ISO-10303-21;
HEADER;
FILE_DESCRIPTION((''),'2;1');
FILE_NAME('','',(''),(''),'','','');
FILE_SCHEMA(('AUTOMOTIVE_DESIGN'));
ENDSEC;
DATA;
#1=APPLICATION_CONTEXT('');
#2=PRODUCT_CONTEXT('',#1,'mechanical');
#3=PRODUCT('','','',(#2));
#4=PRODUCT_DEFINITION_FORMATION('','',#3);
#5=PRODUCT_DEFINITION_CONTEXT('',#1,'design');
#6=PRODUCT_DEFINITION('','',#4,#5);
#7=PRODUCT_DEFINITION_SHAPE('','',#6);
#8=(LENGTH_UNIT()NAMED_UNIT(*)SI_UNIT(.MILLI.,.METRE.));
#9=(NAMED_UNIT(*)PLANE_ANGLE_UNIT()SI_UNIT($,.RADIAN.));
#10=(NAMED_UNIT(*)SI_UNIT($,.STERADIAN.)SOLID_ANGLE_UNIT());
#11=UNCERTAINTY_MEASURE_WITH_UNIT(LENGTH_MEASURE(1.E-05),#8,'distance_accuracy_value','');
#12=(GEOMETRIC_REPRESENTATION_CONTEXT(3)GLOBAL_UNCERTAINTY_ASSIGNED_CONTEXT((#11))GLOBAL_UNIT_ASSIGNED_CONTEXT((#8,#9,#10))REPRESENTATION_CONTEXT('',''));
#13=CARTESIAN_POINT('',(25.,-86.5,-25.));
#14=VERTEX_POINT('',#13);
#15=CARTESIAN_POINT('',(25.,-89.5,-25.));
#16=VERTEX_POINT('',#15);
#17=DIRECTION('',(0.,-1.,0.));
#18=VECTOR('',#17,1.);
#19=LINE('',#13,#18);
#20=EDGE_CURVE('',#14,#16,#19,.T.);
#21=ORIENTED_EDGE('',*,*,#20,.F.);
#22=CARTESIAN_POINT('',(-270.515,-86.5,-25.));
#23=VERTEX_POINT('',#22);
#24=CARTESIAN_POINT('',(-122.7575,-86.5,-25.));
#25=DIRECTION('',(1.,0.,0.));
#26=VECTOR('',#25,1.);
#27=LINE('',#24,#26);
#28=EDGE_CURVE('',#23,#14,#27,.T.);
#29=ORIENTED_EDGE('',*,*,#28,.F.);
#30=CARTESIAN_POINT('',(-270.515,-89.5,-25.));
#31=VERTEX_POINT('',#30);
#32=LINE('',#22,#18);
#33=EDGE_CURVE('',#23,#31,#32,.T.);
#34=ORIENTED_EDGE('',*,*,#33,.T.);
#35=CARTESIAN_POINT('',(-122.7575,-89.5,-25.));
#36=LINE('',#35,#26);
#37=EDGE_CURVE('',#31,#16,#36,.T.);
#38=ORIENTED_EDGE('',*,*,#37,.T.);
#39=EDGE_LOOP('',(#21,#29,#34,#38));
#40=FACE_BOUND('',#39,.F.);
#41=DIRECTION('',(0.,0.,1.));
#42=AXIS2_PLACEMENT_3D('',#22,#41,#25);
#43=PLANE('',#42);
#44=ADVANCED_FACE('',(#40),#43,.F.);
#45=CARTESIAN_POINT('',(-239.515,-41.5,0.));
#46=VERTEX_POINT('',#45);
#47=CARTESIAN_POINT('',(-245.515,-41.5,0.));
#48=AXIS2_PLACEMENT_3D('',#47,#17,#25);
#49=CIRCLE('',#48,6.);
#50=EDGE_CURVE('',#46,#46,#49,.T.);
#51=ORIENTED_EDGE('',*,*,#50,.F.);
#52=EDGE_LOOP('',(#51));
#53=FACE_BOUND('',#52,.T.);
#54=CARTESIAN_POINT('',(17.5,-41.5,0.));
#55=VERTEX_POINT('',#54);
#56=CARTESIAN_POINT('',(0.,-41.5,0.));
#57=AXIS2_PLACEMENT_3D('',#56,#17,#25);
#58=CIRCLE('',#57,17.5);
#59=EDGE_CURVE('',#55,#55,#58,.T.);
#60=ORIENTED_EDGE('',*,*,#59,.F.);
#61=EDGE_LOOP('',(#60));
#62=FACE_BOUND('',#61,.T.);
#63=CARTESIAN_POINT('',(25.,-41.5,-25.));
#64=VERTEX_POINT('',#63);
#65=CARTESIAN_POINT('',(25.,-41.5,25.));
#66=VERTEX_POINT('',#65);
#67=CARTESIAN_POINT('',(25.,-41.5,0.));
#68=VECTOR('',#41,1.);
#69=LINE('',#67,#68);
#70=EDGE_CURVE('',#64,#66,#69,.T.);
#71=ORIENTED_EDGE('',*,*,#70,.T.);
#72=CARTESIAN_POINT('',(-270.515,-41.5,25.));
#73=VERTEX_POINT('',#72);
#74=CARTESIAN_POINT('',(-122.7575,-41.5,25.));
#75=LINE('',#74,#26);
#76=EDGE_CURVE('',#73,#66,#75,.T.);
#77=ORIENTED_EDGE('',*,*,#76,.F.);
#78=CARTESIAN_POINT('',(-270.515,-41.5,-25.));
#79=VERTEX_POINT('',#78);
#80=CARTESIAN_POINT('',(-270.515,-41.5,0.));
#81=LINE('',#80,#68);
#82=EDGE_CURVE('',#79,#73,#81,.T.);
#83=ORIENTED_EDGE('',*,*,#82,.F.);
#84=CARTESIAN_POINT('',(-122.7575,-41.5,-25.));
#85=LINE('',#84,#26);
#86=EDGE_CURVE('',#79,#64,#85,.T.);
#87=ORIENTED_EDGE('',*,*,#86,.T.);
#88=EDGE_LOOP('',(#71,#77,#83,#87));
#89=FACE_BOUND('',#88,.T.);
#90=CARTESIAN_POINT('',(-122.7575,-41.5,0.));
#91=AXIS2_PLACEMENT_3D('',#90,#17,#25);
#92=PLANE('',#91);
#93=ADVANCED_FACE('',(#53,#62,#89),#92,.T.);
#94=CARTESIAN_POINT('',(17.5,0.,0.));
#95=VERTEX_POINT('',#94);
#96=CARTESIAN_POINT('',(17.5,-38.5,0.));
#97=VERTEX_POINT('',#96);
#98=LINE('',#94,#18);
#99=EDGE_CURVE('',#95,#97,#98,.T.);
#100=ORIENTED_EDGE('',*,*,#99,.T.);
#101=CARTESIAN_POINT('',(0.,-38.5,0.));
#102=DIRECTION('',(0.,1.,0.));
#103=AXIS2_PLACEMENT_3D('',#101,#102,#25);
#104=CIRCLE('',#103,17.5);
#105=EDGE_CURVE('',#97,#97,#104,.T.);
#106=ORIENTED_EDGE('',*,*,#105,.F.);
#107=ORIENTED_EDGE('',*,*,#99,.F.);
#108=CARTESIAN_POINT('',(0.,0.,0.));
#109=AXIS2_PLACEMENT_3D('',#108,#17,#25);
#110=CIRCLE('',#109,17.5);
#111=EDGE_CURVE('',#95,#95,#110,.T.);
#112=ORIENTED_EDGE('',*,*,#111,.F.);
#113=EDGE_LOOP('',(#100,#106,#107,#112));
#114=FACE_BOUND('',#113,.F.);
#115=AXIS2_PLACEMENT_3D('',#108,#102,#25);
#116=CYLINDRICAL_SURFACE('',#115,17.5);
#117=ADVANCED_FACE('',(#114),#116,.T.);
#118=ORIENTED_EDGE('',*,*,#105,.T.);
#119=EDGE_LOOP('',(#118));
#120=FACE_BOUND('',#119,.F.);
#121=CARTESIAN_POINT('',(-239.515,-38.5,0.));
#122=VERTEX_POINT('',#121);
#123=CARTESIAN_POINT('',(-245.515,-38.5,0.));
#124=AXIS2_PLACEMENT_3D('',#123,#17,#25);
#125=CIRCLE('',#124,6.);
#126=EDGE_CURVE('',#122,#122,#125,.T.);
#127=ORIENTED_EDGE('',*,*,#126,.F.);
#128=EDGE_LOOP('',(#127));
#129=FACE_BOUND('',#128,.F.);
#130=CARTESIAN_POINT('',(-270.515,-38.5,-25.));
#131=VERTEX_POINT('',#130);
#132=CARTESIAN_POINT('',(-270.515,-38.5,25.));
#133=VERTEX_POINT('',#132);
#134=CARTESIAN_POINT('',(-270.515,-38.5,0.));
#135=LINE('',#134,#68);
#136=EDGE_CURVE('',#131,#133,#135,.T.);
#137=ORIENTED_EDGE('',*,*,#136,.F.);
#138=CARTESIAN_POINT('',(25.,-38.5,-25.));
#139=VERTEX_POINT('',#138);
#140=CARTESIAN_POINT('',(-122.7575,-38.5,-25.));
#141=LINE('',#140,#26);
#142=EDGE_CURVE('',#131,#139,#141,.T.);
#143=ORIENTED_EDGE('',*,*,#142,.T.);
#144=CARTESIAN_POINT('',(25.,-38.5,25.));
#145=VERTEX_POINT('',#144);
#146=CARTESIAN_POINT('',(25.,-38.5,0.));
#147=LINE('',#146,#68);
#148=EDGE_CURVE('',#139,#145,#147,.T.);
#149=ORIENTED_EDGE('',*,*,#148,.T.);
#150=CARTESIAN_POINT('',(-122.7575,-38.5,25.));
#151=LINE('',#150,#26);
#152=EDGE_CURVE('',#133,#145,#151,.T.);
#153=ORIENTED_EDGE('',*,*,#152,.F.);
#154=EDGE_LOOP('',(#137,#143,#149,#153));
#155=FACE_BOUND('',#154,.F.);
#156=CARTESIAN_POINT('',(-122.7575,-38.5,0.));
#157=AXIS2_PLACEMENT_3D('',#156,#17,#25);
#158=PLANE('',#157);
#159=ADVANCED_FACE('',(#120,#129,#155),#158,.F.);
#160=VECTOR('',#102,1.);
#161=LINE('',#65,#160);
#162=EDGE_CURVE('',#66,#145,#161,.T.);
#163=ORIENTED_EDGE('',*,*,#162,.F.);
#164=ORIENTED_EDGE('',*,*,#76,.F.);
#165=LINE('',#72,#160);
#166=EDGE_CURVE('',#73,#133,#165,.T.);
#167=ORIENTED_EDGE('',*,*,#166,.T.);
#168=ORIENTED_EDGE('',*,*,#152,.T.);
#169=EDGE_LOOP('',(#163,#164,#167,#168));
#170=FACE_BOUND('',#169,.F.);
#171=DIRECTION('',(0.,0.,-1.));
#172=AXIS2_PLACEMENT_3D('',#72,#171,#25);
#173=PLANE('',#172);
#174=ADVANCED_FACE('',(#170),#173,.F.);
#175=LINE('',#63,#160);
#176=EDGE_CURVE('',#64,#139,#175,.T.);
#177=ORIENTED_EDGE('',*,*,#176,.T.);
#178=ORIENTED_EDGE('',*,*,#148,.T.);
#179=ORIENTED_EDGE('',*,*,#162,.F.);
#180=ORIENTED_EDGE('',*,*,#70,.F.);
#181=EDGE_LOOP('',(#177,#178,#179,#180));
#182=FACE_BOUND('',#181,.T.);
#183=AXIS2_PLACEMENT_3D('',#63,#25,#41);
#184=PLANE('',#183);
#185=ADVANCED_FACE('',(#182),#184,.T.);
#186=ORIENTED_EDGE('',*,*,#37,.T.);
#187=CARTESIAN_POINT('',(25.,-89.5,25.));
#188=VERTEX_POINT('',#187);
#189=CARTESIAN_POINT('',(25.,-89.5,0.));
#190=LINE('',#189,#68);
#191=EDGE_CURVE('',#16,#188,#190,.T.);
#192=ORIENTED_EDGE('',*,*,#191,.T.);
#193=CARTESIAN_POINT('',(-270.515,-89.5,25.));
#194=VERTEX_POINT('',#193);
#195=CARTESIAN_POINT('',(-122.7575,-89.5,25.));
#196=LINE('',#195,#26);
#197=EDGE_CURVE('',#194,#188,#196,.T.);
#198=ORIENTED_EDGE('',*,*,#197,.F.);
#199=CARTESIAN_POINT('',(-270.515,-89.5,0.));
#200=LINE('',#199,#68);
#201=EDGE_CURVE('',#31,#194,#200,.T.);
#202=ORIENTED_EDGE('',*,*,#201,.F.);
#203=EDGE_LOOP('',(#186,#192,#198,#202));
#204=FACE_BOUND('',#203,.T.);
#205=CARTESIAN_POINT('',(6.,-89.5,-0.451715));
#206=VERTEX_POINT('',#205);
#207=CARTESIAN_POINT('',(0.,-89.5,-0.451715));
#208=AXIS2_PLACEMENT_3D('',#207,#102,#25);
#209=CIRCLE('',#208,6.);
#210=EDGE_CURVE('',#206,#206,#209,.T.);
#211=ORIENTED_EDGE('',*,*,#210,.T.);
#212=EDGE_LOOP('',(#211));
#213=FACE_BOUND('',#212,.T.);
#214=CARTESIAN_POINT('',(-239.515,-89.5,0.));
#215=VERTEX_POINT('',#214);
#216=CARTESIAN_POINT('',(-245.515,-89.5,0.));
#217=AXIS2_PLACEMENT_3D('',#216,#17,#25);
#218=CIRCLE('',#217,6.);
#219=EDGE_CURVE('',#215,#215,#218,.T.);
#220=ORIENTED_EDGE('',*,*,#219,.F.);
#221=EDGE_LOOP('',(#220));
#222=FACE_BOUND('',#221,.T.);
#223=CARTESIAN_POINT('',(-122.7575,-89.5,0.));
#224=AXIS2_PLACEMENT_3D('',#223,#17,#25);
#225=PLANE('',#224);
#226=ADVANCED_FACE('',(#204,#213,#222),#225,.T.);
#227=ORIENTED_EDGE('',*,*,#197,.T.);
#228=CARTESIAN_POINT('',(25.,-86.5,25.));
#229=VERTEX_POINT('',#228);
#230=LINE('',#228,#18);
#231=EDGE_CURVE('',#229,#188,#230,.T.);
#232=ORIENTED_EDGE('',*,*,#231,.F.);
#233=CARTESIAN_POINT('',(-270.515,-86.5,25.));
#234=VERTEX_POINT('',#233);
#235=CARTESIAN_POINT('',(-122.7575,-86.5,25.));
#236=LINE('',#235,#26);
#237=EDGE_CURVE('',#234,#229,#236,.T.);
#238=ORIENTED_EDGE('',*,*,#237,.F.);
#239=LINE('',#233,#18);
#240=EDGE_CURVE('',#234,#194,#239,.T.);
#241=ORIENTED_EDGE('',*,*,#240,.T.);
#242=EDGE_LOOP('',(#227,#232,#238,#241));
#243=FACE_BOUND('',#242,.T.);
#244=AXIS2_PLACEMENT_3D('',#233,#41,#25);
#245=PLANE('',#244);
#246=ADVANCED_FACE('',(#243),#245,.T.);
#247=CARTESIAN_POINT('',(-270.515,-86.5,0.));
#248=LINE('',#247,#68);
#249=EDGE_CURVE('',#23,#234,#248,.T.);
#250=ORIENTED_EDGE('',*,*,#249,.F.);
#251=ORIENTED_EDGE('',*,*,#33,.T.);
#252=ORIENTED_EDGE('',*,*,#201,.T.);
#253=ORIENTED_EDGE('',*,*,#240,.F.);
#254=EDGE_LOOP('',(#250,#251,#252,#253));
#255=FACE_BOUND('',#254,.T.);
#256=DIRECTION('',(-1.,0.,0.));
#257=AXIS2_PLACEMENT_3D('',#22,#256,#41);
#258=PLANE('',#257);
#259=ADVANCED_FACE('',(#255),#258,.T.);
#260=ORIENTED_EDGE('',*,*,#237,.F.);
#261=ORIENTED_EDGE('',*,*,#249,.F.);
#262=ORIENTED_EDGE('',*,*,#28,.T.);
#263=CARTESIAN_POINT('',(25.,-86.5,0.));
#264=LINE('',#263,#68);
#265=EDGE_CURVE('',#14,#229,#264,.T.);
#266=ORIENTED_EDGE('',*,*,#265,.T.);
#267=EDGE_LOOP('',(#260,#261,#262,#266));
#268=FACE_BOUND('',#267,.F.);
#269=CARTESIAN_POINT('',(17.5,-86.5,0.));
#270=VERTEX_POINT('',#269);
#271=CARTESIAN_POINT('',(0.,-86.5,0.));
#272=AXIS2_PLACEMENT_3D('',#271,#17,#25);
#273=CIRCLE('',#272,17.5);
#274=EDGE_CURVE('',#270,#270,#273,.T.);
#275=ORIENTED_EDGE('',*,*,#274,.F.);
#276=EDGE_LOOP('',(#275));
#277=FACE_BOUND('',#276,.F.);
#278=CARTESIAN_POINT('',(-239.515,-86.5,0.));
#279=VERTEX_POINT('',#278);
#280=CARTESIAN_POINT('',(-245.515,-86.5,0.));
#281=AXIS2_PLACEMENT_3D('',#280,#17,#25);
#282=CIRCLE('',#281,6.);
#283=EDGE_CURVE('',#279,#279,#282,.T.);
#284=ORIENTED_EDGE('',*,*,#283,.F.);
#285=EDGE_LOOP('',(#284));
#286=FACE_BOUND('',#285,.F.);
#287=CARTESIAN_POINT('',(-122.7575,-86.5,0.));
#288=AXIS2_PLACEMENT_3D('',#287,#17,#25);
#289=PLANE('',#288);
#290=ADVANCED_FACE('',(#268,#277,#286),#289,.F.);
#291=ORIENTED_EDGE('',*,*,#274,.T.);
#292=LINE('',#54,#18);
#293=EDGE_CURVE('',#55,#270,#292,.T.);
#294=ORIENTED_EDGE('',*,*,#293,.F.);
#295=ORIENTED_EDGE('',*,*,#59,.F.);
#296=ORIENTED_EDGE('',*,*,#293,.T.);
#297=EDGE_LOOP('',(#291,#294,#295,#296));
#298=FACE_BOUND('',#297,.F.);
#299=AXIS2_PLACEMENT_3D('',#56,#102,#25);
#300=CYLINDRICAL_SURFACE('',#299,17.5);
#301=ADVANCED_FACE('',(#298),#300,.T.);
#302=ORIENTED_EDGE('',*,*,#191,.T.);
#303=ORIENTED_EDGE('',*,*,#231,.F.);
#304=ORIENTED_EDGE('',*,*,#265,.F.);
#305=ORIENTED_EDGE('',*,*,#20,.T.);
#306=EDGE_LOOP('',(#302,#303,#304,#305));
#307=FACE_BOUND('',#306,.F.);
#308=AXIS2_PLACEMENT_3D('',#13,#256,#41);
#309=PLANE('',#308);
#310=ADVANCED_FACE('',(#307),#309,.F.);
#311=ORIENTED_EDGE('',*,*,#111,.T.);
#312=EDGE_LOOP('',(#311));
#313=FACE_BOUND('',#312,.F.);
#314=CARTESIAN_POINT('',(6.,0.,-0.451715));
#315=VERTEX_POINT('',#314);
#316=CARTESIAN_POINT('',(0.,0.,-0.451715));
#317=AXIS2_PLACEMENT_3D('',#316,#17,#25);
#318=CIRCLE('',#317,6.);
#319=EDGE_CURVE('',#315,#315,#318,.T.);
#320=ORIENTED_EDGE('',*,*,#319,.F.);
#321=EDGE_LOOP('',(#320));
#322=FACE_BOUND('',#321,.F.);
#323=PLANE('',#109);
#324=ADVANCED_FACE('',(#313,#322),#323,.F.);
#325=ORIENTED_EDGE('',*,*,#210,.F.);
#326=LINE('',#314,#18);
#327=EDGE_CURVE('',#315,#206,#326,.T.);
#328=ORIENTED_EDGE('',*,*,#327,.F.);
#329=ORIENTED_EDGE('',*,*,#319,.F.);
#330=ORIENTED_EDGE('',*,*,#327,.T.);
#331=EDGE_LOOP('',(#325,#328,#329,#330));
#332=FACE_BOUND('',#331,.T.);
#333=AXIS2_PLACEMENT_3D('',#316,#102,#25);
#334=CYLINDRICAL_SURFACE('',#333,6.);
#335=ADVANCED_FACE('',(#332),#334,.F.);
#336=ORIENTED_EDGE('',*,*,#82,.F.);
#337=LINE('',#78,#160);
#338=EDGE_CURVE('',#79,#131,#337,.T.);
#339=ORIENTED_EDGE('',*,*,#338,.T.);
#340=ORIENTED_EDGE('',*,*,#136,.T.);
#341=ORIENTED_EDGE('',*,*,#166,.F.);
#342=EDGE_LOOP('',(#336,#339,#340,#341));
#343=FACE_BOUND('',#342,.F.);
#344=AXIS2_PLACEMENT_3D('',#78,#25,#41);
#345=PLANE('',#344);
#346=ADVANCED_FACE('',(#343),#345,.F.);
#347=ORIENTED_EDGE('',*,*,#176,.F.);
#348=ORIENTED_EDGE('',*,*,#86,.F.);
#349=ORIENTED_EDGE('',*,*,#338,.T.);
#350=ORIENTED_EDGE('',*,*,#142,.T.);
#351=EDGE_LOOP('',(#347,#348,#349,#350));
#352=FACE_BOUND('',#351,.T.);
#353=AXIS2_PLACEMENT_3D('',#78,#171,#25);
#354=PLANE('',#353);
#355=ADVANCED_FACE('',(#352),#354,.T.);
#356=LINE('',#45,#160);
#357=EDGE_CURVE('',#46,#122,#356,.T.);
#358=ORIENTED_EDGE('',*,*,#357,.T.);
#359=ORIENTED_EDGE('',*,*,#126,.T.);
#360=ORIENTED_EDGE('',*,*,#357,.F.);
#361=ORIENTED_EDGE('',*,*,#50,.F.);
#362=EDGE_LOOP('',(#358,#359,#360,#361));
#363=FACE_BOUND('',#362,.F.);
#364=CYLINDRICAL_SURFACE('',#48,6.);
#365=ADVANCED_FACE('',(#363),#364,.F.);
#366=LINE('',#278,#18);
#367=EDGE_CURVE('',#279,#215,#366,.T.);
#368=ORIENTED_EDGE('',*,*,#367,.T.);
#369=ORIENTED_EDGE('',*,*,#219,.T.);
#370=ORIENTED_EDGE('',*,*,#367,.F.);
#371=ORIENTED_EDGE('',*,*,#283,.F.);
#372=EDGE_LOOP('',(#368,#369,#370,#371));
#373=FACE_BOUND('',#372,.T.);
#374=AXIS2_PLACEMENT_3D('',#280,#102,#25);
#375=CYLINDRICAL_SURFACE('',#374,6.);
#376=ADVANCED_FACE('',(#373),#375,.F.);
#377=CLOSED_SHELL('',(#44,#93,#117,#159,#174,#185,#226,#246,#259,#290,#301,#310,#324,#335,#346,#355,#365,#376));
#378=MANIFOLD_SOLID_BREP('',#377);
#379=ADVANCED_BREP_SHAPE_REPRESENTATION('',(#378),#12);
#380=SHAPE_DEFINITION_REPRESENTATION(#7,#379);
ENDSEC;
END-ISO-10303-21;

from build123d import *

# Parameters (mm, degrees)
F0_R     = 17.5
F1_DEPTH = 41.5
F2_W     = 295.515
F2_H     = 50
F2_R     = 6
F3_DEPTH = 3
F4_R     = 17.5
F5_DEPTH = 45
F6_W     = 295.515
F6_H     = 50
F6_R     = 6
F7_DEPTH = 3
F8_R     = 6
F9_DEPTH = 89.501


with BuildPart() as f1:
    # F0 (on Front) → F1 (new body)
    with BuildSketch(Plane.XZ):
        Circle(F0_R)
    extrude(amount=F1_DEPTH)

    # F2 (on face) → F3 (join)
    with BuildSketch(Plane.XZ.offset(41.5)):
        with Locations((-122.7575, 0)):
            Rectangle(F2_W, F2_H)
        with Locations((-245.515, 0)):
            Circle(F2_R, mode=Mode.SUBTRACT)
    extrude(amount=-F3_DEPTH)

    # F4 (on face) → F5 (join)
    with BuildSketch(Plane.XZ.offset(41.5)):
        Circle(F4_R)
    extrude(amount=F5_DEPTH)

    # F6 (on face) → F7 (join)
    with BuildSketch(Plane.XZ.offset(86.5)):
        with Locations((-122.7575, 0)):
            Rectangle(F6_W, F6_H)
        with Locations((-245.515, 0)):
            Circle(F6_R, mode=Mode.SUBTRACT)
    extrude(amount=F7_DEPTH)

    # F8 (on Front) → F9 (cut, through all)
    with BuildSketch(Plane.XZ):
        with Locations((0, -0.451715)):
            Circle(F8_R)
    extrude(amount=F9_DEPTH, mode=Mode.SUBTRACT)


solid = f1.part
